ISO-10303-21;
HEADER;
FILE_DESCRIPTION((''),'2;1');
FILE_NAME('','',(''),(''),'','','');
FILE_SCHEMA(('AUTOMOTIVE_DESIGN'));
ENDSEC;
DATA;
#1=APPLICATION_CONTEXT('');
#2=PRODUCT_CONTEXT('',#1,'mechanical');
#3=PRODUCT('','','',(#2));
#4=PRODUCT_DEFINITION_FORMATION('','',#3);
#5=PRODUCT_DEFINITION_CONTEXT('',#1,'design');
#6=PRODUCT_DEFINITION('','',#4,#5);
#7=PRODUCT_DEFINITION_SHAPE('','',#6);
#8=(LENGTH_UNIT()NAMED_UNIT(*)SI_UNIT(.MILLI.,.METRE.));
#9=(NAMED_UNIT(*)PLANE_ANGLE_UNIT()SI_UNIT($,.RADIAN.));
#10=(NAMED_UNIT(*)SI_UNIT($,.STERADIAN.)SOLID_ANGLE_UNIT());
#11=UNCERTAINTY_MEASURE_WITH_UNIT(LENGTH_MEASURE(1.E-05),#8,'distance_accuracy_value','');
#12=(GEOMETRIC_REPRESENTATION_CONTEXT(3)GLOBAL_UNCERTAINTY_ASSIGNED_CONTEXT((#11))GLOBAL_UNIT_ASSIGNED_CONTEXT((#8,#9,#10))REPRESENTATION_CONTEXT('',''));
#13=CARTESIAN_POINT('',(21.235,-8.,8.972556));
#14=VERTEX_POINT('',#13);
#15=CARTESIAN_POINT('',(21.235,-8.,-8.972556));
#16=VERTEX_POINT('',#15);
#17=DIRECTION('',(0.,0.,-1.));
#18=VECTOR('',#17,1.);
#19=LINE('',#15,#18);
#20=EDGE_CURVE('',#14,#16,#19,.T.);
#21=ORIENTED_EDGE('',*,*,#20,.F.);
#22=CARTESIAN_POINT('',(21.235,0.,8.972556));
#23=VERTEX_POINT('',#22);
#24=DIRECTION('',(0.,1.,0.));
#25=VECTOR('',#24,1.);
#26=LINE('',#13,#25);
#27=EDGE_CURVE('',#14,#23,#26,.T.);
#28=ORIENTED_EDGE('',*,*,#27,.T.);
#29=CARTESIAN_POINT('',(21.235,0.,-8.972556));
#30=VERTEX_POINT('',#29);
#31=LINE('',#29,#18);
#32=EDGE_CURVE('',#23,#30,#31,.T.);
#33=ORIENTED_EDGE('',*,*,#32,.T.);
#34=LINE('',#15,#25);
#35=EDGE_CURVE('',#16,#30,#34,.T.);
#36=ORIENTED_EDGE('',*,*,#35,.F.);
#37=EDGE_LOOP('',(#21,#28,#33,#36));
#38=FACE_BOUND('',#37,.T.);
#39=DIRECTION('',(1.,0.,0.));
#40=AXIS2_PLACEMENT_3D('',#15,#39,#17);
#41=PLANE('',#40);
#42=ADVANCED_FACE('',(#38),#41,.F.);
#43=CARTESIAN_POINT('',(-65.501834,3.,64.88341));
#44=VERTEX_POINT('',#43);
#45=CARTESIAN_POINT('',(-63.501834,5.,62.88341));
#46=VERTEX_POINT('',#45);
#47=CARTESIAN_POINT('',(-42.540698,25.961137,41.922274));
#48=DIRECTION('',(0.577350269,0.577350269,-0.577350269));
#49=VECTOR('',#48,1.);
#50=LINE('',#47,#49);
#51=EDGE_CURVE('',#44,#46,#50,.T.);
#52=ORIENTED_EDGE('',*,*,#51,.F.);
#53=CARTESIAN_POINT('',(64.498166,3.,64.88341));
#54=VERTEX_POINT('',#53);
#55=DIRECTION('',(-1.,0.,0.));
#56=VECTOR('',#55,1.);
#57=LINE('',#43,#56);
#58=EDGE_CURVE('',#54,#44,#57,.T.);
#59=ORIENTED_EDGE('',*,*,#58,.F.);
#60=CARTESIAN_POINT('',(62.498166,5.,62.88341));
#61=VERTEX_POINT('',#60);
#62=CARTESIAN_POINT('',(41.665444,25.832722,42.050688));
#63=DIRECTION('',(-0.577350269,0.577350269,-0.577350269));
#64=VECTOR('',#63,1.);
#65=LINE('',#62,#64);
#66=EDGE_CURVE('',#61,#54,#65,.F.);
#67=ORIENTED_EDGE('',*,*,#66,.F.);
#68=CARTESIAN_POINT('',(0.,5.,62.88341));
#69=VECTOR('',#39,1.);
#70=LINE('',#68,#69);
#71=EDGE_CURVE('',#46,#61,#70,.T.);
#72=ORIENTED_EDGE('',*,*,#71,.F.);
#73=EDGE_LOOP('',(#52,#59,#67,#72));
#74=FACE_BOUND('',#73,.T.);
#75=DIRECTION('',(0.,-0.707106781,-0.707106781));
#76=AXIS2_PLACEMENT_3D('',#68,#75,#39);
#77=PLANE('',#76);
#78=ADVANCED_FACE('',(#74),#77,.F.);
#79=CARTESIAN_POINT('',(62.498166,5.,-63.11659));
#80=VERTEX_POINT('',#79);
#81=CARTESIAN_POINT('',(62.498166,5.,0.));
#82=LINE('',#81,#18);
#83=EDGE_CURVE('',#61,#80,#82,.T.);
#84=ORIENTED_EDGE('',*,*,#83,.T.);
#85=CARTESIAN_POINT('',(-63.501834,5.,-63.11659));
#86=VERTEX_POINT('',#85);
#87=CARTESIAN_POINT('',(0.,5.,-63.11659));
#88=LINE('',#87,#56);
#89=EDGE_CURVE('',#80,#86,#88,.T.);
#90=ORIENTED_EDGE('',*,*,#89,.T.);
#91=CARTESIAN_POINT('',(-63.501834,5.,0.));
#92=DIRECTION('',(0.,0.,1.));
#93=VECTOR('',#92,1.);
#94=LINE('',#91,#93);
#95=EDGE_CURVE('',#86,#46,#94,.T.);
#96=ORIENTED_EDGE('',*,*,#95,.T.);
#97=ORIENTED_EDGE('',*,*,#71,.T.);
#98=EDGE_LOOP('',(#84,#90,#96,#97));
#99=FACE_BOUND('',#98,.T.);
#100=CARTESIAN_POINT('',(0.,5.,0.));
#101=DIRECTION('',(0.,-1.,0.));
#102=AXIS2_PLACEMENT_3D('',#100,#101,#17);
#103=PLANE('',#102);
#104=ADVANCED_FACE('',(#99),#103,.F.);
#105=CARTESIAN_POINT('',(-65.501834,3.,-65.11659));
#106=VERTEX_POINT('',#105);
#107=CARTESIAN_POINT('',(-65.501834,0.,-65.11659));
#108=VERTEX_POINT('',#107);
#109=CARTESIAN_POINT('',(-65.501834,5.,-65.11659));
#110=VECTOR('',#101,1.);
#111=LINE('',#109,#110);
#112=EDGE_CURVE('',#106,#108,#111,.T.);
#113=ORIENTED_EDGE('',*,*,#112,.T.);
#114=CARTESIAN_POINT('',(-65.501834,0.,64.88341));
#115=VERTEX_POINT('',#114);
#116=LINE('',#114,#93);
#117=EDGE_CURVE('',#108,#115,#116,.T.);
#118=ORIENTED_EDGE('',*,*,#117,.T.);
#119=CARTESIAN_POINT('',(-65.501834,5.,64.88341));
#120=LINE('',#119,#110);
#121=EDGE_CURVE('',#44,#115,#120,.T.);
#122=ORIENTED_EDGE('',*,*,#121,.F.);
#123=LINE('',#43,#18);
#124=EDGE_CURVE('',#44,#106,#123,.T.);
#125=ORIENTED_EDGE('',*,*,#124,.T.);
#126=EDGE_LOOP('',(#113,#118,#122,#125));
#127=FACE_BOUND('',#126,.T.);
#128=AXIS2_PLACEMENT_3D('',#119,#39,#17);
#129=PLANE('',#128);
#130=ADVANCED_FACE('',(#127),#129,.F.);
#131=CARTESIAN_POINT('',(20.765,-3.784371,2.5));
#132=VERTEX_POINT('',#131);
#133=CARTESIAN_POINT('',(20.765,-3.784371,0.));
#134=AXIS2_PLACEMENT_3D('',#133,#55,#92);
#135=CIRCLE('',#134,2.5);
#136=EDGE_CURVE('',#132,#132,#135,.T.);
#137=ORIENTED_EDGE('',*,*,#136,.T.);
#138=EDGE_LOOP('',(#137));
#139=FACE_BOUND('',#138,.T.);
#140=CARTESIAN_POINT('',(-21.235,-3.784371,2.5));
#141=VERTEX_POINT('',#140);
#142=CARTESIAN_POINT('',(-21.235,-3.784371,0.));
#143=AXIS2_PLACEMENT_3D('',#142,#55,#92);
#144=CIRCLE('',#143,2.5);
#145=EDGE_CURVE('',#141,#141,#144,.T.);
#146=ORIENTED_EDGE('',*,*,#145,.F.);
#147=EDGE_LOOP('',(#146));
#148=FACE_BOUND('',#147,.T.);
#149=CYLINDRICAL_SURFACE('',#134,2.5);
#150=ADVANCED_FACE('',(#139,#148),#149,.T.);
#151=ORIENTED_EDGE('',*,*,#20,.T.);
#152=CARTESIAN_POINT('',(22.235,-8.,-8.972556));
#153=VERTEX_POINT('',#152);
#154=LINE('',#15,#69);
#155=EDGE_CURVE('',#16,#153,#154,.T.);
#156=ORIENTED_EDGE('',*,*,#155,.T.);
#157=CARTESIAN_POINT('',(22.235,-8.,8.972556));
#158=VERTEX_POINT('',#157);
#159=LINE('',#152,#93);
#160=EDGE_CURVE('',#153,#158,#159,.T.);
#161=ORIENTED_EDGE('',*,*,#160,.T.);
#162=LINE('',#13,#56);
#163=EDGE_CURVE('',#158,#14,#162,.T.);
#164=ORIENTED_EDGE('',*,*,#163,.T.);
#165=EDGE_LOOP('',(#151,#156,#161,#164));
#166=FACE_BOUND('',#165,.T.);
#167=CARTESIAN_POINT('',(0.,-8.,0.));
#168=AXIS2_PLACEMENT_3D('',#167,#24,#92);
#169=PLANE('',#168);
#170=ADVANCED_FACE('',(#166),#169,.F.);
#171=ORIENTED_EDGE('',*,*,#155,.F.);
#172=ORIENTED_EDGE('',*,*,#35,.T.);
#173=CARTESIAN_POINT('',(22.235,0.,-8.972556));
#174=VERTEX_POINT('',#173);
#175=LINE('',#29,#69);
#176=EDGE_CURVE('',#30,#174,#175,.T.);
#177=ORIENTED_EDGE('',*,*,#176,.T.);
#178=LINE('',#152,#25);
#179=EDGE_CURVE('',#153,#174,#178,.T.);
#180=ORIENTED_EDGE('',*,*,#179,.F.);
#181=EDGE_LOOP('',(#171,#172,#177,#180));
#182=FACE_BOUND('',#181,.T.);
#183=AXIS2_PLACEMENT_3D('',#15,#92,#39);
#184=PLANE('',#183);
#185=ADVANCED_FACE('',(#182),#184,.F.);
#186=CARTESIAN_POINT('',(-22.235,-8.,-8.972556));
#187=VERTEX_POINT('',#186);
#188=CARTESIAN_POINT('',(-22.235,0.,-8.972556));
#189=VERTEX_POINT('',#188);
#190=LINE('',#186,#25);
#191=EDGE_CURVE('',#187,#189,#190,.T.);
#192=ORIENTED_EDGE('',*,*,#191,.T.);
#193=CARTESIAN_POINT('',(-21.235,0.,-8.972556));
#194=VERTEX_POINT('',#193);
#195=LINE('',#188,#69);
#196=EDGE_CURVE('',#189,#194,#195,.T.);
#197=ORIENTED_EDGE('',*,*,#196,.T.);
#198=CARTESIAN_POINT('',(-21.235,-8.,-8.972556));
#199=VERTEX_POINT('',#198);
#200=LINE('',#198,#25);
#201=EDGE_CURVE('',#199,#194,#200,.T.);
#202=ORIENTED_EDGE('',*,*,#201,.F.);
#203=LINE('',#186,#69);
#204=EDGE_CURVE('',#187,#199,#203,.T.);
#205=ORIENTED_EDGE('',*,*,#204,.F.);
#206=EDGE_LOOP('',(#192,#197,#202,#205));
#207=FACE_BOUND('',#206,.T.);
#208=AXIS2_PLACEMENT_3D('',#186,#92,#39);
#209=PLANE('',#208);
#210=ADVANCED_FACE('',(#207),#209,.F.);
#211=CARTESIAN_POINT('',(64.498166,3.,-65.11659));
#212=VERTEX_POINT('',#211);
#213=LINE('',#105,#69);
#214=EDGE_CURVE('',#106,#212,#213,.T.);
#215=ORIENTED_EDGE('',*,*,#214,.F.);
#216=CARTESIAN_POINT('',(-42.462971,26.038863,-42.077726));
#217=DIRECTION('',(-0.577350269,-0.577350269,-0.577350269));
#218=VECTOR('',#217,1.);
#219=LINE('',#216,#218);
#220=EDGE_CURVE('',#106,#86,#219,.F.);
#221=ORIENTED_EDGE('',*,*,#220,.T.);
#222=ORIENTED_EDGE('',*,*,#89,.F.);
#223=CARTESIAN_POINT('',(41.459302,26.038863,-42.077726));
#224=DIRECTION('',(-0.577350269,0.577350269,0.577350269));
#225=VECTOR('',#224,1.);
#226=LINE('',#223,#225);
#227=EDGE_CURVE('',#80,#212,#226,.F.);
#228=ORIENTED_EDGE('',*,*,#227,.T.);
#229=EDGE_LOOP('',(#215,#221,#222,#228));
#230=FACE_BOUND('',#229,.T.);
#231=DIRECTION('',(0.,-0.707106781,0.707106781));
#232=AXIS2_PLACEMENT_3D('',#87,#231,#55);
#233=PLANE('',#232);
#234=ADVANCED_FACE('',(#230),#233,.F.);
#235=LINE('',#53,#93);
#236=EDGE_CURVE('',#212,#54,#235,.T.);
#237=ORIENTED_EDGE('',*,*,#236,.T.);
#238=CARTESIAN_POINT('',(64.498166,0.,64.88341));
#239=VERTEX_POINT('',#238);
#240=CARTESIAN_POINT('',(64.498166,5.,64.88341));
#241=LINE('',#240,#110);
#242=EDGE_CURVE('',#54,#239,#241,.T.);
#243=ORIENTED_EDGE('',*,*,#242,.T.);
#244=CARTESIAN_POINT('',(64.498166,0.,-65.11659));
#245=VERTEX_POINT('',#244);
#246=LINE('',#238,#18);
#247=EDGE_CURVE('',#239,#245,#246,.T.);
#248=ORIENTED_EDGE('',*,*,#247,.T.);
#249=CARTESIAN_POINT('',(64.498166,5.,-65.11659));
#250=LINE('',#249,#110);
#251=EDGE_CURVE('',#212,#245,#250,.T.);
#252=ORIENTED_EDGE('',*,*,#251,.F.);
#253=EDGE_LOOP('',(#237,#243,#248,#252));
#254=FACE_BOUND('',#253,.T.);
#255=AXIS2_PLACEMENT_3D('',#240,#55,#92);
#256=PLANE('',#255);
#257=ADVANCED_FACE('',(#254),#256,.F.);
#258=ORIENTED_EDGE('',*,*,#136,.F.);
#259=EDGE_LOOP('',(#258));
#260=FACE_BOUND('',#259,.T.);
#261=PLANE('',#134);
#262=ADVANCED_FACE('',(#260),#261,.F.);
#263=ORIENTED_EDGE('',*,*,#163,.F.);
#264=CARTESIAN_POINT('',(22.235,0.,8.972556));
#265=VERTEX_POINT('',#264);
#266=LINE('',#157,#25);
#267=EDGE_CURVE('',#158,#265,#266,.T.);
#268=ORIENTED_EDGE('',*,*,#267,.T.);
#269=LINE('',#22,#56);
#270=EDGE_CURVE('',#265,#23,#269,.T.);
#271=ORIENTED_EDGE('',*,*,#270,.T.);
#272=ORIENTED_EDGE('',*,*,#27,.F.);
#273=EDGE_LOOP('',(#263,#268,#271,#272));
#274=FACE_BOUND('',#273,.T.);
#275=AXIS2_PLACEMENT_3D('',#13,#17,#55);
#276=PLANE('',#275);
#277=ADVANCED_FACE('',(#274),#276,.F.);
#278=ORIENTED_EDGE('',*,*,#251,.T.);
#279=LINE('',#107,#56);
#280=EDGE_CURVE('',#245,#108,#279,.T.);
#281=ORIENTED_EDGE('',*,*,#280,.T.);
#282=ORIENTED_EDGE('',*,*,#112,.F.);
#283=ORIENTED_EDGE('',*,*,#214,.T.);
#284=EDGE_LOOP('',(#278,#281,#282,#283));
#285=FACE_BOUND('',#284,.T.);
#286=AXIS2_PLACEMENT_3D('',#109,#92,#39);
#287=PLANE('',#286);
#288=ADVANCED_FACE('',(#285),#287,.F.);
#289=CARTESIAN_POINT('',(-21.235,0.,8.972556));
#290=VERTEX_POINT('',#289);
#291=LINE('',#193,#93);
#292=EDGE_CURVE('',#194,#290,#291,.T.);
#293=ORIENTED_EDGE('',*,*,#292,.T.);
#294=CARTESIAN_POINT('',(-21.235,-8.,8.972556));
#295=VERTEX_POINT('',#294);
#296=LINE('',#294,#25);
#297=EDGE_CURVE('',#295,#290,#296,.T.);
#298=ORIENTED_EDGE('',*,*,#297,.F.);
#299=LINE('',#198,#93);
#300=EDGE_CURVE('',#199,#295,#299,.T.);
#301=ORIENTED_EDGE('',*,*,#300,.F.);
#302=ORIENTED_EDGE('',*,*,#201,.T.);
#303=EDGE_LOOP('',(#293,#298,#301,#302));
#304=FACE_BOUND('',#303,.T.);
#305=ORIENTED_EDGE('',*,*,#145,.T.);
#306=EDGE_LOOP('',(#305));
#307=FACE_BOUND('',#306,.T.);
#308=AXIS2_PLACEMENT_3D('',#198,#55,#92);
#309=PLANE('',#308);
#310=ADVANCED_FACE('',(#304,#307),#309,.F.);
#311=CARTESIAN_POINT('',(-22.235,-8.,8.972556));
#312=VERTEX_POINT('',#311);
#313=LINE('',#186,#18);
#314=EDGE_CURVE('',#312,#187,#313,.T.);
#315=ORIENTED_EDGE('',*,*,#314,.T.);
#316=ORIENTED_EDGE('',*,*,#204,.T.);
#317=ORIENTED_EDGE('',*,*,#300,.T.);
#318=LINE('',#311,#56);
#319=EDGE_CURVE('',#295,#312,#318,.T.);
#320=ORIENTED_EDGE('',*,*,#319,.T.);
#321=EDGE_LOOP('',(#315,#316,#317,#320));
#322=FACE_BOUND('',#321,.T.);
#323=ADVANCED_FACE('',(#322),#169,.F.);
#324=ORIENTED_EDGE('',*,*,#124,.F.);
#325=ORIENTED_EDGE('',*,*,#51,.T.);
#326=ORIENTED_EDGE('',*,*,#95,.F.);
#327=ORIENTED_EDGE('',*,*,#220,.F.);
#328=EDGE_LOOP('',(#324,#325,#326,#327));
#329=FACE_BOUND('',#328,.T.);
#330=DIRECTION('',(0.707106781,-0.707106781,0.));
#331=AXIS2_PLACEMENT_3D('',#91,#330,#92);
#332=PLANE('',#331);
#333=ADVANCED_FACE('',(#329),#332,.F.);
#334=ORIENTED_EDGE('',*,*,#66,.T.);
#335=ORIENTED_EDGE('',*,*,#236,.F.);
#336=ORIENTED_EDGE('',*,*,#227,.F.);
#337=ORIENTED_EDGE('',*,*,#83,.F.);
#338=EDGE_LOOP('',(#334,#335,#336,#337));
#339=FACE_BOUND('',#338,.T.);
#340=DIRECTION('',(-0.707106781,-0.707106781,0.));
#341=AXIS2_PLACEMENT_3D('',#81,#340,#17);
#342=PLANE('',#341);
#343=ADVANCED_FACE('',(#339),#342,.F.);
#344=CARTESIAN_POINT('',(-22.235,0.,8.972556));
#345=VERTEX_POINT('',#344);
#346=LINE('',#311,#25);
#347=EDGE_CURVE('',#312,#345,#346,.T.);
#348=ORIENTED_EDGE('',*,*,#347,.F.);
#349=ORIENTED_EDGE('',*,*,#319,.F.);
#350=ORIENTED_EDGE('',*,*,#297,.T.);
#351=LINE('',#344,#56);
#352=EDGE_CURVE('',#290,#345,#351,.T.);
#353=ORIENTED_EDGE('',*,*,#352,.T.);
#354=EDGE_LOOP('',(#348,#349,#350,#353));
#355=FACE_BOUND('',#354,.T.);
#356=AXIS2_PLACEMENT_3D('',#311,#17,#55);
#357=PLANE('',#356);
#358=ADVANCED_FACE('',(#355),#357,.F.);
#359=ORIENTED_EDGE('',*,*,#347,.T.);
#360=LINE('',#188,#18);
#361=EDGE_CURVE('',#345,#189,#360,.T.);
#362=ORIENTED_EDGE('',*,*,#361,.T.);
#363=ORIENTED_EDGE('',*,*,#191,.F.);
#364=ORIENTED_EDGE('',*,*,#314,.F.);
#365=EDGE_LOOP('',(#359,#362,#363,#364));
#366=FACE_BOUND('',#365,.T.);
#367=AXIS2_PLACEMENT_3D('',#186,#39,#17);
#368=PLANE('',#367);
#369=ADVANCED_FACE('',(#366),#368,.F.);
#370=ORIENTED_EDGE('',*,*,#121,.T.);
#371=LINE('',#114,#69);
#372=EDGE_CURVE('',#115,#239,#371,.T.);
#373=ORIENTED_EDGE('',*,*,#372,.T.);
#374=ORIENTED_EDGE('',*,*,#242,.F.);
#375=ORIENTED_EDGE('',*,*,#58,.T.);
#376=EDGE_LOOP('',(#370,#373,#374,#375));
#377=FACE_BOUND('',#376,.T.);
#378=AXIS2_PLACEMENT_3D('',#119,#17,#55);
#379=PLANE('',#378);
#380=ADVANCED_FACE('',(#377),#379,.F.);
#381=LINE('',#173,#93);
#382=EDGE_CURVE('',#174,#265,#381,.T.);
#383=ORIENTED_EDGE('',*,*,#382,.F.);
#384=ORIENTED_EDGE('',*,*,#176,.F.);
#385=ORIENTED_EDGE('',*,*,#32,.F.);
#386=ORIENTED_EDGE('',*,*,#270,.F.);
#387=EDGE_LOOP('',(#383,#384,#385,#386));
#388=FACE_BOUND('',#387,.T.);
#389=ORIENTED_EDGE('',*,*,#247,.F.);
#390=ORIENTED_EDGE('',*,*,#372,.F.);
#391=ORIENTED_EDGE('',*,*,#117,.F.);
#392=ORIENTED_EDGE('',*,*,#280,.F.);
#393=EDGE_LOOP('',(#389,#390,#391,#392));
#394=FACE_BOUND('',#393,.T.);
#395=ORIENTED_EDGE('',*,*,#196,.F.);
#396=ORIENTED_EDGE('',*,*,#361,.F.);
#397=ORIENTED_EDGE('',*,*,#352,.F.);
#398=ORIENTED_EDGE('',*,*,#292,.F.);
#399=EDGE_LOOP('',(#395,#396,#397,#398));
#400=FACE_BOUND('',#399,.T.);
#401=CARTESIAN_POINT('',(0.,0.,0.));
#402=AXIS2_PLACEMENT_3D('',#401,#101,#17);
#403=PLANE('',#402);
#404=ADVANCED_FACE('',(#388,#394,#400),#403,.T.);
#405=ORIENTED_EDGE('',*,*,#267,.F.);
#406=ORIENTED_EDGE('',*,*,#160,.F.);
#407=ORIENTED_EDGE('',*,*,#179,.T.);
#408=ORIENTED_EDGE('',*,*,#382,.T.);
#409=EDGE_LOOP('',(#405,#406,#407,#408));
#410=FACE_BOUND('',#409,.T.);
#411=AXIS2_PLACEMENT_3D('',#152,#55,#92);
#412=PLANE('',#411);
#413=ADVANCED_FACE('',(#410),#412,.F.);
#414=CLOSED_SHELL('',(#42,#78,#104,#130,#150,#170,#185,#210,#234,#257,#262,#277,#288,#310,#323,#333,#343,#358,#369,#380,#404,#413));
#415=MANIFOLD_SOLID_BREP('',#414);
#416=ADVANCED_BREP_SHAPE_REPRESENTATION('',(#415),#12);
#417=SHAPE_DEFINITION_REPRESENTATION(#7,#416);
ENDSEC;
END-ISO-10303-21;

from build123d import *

# Parameters (mm, degrees)
SKETCH_1_W      = 130
SKETCH_1_H      = 130
EXTRUDE_1_DEPTH = 5
SKETCH_2_W      = 1
SKETCH_2_H      = 17.945111322
EXTRUDE_2_DEPTH = 8
SKETCH_3_R      = 2.5
EXTRUDE_3_DEPTH = 43
CHAMFER_1_SIZE  = 2


with BuildPart() as part:
    # 草图1 → 凸台-拉伸1 (new body)
    with BuildSketch(Plane(origin=(0, 0, 0), x_dir=(1, 0, 0), z_dir=(0, 1, 0))):
        with Locations((-0.501834335, 0.116589736)):
            Rectangle(SKETCH_1_W, SKETCH_1_H)
    extrude(amount=EXTRUDE_1_DEPTH)

    # 草图2 → 凸台-拉伸2 (add)
    with BuildSketch(Plane.XZ):
        with Locations((21.735, 0)):
            Rectangle(SKETCH_2_W, SKETCH_2_H)
        with Locations((-21.735, 0)):
            Rectangle(SKETCH_2_W, SKETCH_2_H)
    extrude(amount=EXTRUDE_2_DEPTH)

    # 草图3 → 凸台-拉伸3 (add)
    with BuildSketch(Plane.ZY.offset(22.235)):
        with Locations((0, -3.784370538)):
            Circle(SKETCH_3_R)
    extrude(amount=-EXTRUDE_3_DEPTH)

    # 倒角1
    chamfer_1_edges = [part.edges().sort_by_distance(p)[0] for p in [
        (64.498165665, 5, -0.116589736),
        (-0.501834335, 5, -65.116589736),
        (-65.501834335, 5, -0.116589736),
        (-0.501834335, 5, 64.883410264),
    ]]
    chamfer(chamfer_1_edges, length=CHAMFER_1_SIZE)


solid = part.part
